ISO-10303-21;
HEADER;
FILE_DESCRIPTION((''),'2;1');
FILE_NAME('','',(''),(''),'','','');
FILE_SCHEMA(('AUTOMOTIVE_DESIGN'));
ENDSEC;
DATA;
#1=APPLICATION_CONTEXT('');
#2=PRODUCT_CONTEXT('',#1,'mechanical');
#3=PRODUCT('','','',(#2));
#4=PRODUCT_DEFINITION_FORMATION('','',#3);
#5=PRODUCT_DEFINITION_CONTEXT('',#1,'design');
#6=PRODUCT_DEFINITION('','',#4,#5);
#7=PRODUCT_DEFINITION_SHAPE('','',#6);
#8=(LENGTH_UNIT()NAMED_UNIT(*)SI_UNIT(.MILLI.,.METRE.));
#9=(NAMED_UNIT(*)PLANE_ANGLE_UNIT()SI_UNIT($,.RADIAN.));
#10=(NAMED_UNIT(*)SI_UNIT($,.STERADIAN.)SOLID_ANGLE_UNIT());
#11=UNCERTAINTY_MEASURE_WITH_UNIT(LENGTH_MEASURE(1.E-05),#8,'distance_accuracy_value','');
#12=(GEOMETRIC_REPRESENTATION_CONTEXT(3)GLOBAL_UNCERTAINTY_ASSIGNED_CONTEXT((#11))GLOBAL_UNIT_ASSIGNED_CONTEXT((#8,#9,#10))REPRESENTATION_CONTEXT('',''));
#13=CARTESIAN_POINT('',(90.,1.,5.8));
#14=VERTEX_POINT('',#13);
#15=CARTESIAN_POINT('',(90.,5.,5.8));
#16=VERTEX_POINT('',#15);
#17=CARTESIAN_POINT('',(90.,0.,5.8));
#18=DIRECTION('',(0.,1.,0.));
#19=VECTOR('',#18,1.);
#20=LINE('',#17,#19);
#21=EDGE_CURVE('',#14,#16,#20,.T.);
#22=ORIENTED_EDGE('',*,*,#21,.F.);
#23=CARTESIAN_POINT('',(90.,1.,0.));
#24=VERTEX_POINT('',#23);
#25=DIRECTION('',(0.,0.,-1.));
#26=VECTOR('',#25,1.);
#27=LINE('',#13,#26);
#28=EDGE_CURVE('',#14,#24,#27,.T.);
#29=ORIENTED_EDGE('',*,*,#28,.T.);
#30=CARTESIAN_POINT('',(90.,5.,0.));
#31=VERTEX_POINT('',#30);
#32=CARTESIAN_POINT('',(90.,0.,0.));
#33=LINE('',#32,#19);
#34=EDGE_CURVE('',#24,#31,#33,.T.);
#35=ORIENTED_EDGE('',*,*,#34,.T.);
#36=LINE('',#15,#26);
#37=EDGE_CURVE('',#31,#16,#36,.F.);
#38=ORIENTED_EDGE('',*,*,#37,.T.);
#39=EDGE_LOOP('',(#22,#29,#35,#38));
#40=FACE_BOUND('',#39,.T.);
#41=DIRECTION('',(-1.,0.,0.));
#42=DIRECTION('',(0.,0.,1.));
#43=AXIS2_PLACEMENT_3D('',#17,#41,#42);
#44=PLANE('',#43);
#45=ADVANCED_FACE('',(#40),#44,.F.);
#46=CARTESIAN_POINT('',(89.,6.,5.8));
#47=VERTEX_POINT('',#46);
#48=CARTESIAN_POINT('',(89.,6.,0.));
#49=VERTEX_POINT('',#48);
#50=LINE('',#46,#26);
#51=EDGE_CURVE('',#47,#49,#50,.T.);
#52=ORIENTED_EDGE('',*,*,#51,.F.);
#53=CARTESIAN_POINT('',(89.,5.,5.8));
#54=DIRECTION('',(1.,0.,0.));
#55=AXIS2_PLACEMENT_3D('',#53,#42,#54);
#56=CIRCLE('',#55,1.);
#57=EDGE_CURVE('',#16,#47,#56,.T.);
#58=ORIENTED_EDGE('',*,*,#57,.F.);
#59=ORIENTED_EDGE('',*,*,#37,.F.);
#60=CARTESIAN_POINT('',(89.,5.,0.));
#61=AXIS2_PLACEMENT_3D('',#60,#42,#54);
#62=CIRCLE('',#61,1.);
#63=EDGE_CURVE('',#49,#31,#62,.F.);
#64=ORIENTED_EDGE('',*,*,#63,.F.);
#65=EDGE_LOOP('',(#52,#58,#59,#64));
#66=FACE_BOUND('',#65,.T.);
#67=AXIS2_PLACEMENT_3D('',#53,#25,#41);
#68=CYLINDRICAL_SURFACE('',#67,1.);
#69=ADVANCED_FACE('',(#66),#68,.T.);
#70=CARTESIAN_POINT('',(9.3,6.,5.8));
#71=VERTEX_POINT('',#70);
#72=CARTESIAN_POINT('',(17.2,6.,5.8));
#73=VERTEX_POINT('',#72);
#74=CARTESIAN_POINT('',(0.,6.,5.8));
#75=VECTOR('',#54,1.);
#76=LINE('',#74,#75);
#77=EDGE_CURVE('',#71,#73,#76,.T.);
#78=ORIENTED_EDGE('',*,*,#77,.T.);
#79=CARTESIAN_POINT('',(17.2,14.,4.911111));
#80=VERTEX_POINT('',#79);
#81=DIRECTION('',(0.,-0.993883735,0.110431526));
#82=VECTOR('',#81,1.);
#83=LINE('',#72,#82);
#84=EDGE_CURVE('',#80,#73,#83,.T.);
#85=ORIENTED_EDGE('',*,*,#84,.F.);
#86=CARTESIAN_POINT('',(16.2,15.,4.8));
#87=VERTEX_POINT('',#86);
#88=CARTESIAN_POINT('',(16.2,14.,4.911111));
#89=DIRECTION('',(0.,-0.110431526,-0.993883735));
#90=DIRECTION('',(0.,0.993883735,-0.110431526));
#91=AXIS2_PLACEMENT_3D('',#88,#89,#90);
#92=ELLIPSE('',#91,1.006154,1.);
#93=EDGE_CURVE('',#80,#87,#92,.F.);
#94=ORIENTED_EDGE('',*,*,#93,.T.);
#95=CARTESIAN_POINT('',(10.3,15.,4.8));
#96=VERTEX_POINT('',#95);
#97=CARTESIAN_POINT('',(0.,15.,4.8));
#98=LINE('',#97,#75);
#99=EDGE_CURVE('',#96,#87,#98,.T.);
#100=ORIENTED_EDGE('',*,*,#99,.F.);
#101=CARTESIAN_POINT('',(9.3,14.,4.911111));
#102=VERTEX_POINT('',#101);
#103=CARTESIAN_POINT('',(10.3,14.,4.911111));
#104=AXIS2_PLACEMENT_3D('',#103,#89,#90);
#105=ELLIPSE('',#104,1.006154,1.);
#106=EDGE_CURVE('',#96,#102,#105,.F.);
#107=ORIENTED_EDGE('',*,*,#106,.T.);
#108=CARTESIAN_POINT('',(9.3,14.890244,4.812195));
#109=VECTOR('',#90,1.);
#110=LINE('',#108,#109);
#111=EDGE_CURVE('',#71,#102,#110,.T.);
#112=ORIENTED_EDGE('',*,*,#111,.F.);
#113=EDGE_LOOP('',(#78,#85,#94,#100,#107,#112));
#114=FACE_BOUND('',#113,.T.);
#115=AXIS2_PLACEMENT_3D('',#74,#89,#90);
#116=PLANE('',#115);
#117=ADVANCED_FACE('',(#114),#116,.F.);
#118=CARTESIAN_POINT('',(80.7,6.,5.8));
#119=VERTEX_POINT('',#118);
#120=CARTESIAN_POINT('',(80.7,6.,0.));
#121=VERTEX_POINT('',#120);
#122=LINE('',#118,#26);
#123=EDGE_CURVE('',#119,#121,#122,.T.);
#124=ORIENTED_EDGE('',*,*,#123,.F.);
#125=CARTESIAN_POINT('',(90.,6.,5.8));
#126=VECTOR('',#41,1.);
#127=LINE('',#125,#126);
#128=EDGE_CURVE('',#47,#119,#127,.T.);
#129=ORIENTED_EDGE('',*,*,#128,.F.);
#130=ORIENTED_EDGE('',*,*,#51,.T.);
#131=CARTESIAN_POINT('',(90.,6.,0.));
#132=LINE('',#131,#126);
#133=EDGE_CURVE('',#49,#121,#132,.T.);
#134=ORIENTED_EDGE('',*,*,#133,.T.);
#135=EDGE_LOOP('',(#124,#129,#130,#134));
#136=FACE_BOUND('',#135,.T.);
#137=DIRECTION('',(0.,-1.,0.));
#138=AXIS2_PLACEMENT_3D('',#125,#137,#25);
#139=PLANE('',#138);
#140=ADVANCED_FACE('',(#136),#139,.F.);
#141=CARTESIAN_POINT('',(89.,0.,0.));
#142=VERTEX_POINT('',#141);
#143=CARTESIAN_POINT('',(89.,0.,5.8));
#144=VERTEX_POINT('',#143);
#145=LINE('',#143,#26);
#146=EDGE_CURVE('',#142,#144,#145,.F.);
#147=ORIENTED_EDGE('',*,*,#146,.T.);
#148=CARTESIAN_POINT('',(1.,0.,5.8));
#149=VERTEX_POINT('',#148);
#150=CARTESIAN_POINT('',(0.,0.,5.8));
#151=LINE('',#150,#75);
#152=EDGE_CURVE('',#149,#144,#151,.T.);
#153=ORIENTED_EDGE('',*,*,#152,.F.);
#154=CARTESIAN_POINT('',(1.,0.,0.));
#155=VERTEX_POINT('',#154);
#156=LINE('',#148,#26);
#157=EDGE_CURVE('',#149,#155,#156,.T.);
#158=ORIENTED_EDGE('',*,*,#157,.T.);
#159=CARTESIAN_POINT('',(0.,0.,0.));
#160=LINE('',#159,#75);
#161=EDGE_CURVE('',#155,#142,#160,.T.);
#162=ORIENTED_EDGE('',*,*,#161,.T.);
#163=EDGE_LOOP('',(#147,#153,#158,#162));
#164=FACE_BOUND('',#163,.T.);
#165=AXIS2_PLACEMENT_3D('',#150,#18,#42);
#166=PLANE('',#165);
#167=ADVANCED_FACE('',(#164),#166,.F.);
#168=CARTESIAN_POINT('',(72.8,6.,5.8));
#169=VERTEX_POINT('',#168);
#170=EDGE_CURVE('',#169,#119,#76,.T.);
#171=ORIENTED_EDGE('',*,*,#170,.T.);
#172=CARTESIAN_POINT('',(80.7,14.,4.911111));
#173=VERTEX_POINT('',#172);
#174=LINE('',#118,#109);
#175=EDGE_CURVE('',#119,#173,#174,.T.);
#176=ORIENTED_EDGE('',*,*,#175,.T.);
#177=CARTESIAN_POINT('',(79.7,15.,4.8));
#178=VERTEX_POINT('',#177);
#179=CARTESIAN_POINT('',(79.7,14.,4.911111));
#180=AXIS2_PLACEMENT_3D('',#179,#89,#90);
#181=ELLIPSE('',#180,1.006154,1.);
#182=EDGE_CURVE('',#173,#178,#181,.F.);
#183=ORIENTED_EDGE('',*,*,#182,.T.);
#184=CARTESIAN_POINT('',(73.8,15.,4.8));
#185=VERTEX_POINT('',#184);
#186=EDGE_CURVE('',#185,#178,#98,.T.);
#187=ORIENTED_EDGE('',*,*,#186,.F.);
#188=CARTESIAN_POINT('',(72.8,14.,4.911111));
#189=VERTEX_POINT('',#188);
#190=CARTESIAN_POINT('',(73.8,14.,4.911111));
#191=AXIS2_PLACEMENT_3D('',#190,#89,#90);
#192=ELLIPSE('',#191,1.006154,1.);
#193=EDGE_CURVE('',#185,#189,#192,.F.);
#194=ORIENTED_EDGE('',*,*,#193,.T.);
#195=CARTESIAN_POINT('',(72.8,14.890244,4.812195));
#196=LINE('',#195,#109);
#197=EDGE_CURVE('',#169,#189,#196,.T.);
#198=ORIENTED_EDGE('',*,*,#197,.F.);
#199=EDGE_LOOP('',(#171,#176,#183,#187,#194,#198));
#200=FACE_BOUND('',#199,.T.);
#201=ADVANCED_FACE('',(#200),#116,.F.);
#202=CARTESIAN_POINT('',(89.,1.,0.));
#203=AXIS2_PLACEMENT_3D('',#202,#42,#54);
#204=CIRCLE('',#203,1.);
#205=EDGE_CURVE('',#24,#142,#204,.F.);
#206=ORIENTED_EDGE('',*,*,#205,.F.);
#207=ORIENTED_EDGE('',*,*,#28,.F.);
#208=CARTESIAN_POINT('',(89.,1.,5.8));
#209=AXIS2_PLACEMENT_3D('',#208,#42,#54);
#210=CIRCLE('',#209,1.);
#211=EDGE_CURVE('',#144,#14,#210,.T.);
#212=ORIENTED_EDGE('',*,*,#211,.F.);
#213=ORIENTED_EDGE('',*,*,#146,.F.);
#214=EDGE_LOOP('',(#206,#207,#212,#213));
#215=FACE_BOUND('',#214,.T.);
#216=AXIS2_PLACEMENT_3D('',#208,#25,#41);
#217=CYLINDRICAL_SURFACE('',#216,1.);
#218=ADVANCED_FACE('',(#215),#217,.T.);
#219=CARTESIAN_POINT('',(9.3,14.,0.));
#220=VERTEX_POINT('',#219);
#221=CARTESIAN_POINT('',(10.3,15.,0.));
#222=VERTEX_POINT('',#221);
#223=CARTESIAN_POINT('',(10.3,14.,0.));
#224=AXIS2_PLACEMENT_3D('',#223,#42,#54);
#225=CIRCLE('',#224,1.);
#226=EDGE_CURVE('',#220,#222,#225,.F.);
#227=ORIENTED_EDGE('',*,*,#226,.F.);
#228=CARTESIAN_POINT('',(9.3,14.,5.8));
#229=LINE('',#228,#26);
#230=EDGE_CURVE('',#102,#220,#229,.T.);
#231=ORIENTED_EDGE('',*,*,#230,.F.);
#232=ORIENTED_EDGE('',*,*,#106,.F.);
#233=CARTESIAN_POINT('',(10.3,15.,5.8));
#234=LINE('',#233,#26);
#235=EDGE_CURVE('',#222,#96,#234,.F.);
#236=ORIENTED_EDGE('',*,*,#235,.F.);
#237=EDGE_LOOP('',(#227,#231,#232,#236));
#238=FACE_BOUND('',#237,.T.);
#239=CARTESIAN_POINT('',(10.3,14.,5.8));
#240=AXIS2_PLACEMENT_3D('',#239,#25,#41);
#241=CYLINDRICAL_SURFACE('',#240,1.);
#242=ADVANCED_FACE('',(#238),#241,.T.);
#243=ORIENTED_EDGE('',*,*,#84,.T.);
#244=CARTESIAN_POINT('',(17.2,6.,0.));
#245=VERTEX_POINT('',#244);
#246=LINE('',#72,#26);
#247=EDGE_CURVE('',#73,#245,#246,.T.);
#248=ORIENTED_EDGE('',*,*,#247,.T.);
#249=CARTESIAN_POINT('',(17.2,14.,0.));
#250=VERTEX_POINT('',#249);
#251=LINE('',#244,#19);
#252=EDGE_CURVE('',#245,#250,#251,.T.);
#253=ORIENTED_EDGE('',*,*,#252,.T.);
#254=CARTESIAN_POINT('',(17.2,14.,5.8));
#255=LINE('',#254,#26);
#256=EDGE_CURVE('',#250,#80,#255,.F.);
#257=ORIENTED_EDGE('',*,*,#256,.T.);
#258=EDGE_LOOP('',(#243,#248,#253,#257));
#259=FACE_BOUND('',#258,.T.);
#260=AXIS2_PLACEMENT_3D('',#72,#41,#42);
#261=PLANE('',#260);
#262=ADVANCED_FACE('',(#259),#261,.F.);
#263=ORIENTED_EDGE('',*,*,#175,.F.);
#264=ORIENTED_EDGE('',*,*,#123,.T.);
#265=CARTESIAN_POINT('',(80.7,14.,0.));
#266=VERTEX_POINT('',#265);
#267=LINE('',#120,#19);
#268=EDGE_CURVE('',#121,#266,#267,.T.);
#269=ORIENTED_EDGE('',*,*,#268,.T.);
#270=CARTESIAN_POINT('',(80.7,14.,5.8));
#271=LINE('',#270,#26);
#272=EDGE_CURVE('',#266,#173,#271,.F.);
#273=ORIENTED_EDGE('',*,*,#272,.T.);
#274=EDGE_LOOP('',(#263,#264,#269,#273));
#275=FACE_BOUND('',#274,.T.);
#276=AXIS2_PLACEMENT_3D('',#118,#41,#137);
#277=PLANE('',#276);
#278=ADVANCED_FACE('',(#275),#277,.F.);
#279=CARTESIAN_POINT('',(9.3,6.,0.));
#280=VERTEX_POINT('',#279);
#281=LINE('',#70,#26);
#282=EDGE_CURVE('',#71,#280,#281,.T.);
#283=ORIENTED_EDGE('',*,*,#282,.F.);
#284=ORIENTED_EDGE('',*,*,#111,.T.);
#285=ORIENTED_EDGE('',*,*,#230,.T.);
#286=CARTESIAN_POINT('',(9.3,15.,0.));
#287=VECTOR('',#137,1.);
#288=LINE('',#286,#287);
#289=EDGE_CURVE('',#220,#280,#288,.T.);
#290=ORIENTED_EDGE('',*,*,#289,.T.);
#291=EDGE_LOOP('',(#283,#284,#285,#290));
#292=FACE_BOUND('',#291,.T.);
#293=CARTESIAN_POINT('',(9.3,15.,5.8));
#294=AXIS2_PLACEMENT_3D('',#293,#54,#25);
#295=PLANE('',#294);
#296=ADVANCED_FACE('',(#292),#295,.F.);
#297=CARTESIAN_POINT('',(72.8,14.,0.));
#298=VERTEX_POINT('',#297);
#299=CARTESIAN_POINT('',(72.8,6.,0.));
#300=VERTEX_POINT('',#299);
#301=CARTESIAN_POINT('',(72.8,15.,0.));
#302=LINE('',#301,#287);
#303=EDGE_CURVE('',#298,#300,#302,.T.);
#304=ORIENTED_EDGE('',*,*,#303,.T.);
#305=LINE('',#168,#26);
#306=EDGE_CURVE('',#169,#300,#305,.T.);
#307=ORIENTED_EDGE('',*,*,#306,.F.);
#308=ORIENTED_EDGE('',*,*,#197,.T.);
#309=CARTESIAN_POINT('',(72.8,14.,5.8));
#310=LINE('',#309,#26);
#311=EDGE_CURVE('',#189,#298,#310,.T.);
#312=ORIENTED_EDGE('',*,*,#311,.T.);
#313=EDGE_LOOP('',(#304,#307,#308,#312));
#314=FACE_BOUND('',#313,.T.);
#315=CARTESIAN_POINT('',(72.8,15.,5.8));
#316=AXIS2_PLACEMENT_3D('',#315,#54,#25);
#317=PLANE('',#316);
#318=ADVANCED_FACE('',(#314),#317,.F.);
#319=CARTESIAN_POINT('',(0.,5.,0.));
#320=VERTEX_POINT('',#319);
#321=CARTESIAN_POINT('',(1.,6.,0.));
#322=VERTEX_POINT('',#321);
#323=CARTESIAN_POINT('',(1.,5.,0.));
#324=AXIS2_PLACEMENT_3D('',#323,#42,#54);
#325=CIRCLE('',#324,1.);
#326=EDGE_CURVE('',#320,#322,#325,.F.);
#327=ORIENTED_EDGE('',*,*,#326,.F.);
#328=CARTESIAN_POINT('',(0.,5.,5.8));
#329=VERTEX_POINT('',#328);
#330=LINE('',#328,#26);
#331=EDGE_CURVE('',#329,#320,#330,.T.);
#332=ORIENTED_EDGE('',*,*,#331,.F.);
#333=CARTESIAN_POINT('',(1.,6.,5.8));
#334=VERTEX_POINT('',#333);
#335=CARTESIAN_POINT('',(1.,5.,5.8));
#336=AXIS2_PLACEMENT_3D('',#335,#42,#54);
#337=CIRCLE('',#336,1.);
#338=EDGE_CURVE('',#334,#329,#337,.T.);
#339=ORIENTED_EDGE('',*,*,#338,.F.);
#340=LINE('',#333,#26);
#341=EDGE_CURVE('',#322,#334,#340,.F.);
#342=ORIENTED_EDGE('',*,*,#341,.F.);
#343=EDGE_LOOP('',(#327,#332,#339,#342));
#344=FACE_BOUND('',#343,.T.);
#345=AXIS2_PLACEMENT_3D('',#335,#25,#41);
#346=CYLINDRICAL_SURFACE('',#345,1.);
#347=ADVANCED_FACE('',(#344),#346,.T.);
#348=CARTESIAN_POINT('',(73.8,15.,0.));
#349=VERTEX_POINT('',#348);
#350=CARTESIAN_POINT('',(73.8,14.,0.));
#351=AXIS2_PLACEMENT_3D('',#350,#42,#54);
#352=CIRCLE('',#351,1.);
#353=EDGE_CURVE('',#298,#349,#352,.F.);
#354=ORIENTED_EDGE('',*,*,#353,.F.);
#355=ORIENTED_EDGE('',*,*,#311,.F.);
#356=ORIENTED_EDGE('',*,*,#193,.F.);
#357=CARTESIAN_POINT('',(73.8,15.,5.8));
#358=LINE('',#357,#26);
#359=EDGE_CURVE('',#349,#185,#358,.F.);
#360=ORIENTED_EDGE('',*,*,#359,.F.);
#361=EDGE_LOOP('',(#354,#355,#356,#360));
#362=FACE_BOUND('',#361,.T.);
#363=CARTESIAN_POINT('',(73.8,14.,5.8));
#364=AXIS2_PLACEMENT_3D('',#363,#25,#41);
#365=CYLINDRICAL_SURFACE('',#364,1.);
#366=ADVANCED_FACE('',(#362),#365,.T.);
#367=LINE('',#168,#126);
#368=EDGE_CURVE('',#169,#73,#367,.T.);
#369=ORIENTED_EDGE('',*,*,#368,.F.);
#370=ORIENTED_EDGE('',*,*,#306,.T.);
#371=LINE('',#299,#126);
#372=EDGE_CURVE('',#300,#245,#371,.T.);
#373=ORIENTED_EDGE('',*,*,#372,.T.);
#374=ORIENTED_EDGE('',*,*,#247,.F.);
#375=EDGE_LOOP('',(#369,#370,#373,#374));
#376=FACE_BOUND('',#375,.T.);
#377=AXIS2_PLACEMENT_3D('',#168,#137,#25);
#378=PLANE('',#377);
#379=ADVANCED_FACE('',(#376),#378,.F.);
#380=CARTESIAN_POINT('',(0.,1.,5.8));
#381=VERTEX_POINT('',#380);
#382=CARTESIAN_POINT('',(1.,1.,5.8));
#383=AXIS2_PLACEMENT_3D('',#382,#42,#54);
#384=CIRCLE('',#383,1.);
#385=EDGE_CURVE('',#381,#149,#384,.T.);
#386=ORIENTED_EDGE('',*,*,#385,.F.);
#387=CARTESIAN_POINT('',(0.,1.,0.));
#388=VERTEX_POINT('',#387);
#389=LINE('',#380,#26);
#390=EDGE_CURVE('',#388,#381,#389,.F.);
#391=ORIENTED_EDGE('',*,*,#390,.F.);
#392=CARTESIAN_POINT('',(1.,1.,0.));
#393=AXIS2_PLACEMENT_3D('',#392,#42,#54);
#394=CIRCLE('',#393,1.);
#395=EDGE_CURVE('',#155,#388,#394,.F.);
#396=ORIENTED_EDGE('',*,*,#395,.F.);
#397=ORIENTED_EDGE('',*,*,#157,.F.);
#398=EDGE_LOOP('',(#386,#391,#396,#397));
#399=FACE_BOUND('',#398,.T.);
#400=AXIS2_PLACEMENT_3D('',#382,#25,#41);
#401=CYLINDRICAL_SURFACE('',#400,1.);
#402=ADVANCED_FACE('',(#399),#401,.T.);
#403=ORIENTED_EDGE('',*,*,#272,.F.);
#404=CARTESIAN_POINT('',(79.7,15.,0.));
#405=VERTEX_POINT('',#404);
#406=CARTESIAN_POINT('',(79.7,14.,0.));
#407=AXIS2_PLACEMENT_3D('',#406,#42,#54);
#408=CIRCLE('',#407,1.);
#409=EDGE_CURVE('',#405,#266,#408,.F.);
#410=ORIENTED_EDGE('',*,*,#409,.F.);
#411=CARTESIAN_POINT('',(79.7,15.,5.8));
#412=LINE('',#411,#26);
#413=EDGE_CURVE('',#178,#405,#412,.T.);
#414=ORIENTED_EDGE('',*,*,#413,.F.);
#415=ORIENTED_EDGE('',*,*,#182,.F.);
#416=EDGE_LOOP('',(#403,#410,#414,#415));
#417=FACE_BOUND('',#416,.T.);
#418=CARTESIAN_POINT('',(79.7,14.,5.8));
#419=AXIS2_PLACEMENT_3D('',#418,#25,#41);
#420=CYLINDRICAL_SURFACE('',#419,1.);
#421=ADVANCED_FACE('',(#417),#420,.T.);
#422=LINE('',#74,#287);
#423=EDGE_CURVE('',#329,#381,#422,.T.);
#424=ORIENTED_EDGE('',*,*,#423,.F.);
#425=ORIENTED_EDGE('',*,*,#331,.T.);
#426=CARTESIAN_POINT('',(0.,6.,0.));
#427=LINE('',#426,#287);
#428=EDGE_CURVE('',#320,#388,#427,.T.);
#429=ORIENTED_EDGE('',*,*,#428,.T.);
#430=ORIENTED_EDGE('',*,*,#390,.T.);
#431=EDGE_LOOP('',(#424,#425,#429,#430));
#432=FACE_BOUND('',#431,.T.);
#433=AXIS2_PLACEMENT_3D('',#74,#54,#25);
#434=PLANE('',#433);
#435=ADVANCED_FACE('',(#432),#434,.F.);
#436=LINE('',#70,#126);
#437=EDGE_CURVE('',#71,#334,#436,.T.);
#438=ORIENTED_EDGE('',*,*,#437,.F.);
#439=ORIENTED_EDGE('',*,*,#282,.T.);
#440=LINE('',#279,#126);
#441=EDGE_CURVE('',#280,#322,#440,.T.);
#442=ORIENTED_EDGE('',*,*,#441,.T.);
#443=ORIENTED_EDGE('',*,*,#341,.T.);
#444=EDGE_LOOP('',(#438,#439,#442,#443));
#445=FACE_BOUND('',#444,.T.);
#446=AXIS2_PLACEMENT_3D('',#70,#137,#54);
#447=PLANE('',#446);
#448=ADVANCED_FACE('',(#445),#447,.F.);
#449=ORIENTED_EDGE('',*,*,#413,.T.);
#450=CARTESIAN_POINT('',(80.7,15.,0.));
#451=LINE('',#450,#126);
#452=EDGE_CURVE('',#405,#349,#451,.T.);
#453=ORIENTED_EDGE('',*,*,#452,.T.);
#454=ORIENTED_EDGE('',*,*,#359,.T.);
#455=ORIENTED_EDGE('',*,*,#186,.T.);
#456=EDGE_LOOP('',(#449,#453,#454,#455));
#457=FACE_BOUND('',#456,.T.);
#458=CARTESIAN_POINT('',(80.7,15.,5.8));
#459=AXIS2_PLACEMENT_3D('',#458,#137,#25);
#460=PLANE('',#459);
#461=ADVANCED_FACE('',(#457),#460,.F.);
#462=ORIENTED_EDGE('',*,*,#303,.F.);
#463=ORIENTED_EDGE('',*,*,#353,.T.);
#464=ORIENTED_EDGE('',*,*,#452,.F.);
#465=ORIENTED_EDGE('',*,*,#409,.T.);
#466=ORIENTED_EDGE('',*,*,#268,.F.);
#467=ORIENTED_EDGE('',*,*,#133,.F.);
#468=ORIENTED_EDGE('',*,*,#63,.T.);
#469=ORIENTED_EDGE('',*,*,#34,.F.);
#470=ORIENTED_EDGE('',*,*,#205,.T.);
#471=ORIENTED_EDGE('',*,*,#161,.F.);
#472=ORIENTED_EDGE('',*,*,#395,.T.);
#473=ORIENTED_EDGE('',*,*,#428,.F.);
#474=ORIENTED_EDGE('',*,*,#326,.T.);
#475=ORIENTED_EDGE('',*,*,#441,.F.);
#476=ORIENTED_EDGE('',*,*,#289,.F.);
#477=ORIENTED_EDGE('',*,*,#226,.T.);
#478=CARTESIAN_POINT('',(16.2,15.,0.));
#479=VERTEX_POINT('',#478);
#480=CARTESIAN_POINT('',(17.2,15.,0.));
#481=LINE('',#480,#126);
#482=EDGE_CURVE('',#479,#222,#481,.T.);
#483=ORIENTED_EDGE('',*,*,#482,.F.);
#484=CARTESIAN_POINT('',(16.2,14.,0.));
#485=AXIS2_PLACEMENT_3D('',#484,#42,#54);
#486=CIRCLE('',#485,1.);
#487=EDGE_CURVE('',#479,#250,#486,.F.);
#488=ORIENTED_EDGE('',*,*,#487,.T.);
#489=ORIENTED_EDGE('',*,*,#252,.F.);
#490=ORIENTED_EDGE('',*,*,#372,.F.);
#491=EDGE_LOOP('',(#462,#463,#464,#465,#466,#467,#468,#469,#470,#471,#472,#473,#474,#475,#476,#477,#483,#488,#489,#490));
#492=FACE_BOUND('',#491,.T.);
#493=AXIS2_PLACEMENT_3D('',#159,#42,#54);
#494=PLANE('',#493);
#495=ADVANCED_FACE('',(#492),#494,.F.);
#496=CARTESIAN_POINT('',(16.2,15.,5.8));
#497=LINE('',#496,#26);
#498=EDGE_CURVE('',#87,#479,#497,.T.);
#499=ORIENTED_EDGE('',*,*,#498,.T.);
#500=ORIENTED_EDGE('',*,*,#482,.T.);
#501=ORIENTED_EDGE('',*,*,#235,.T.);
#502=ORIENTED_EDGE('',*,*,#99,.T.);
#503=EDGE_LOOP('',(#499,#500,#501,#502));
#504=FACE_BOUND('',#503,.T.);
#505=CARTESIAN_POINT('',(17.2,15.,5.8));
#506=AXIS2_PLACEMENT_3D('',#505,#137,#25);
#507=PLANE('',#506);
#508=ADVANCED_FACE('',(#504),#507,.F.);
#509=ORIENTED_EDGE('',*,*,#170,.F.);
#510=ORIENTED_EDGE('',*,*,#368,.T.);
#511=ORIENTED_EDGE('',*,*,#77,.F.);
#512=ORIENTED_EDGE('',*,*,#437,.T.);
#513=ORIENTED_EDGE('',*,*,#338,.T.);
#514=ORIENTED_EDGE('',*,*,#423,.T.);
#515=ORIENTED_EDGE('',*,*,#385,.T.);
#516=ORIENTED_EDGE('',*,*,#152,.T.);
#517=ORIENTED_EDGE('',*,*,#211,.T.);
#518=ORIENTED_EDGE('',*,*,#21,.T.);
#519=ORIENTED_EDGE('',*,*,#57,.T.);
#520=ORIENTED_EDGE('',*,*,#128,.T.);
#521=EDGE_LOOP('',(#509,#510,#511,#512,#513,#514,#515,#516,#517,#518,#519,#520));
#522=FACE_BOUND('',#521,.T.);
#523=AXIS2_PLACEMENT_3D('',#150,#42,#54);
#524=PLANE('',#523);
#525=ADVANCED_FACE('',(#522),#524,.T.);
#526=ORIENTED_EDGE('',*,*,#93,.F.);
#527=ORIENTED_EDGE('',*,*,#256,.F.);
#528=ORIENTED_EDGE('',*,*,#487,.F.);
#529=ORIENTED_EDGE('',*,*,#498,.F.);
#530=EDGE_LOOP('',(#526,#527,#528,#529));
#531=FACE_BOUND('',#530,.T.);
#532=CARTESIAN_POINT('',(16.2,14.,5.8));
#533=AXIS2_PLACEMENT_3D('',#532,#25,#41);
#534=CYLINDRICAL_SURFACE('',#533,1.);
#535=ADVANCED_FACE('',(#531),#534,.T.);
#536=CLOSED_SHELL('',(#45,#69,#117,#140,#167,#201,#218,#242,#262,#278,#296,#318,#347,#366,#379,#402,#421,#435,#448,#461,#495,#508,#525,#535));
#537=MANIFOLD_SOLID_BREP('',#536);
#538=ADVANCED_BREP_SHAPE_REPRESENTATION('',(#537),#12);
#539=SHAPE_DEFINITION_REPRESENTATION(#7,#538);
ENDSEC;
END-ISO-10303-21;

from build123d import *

# Parameters (mm, degrees)
BOSS_EXTRUDE1_DEPTH = 5.8
CUT_EXTRUDE1_DEPTH  = 83.286876232
FILLET1_R           = 1


with BuildPart() as part:
    # Sketch1 → Boss-Extrude1 (new body)
    with BuildSketch(Plane.XY):
        Polygon((0, 0), (90, 0), (90, 6), (80.7, 6), (80.7, 15), (72.8, 15), (72.8, 6), (17.2, 6), (17.2, 15), (9.3, 15), (9.3, 6), (0, 6), align=None)
    extrude(amount=BOSS_EXTRUDE1_DEPTH)

    # Sketch2 → Cut-Extrude1 (cut, through all)
    with BuildSketch(Plane(origin=(80.7, 0, 0), x_dir=(0, 0, -1), z_dir=(1, 0, 0))):
        Polygon((-5.8, 15), (-5.8, 6), (-4.8, 15), align=None)
    extrude(amount=-CUT_EXTRUDE1_DEPTH, mode=Mode.SUBTRACT)

    # Fillet1
    fillet1_edges = [part.edges().sort_by_distance(p)[0] for p in [
        (0, 6, 2.9),
        (90, 6, 2.9),
        (90, 0, 2.9),
        (0, 0, 2.9),
        (9.3, 15, 2.4),
        (17.2, 15, 2.4),
        (72.8, 15, 2.4),
        (80.7, 15, 2.4),
    ]]
    fillet(fillet1_edges, radius=FILLET1_R)


solid = part.part
